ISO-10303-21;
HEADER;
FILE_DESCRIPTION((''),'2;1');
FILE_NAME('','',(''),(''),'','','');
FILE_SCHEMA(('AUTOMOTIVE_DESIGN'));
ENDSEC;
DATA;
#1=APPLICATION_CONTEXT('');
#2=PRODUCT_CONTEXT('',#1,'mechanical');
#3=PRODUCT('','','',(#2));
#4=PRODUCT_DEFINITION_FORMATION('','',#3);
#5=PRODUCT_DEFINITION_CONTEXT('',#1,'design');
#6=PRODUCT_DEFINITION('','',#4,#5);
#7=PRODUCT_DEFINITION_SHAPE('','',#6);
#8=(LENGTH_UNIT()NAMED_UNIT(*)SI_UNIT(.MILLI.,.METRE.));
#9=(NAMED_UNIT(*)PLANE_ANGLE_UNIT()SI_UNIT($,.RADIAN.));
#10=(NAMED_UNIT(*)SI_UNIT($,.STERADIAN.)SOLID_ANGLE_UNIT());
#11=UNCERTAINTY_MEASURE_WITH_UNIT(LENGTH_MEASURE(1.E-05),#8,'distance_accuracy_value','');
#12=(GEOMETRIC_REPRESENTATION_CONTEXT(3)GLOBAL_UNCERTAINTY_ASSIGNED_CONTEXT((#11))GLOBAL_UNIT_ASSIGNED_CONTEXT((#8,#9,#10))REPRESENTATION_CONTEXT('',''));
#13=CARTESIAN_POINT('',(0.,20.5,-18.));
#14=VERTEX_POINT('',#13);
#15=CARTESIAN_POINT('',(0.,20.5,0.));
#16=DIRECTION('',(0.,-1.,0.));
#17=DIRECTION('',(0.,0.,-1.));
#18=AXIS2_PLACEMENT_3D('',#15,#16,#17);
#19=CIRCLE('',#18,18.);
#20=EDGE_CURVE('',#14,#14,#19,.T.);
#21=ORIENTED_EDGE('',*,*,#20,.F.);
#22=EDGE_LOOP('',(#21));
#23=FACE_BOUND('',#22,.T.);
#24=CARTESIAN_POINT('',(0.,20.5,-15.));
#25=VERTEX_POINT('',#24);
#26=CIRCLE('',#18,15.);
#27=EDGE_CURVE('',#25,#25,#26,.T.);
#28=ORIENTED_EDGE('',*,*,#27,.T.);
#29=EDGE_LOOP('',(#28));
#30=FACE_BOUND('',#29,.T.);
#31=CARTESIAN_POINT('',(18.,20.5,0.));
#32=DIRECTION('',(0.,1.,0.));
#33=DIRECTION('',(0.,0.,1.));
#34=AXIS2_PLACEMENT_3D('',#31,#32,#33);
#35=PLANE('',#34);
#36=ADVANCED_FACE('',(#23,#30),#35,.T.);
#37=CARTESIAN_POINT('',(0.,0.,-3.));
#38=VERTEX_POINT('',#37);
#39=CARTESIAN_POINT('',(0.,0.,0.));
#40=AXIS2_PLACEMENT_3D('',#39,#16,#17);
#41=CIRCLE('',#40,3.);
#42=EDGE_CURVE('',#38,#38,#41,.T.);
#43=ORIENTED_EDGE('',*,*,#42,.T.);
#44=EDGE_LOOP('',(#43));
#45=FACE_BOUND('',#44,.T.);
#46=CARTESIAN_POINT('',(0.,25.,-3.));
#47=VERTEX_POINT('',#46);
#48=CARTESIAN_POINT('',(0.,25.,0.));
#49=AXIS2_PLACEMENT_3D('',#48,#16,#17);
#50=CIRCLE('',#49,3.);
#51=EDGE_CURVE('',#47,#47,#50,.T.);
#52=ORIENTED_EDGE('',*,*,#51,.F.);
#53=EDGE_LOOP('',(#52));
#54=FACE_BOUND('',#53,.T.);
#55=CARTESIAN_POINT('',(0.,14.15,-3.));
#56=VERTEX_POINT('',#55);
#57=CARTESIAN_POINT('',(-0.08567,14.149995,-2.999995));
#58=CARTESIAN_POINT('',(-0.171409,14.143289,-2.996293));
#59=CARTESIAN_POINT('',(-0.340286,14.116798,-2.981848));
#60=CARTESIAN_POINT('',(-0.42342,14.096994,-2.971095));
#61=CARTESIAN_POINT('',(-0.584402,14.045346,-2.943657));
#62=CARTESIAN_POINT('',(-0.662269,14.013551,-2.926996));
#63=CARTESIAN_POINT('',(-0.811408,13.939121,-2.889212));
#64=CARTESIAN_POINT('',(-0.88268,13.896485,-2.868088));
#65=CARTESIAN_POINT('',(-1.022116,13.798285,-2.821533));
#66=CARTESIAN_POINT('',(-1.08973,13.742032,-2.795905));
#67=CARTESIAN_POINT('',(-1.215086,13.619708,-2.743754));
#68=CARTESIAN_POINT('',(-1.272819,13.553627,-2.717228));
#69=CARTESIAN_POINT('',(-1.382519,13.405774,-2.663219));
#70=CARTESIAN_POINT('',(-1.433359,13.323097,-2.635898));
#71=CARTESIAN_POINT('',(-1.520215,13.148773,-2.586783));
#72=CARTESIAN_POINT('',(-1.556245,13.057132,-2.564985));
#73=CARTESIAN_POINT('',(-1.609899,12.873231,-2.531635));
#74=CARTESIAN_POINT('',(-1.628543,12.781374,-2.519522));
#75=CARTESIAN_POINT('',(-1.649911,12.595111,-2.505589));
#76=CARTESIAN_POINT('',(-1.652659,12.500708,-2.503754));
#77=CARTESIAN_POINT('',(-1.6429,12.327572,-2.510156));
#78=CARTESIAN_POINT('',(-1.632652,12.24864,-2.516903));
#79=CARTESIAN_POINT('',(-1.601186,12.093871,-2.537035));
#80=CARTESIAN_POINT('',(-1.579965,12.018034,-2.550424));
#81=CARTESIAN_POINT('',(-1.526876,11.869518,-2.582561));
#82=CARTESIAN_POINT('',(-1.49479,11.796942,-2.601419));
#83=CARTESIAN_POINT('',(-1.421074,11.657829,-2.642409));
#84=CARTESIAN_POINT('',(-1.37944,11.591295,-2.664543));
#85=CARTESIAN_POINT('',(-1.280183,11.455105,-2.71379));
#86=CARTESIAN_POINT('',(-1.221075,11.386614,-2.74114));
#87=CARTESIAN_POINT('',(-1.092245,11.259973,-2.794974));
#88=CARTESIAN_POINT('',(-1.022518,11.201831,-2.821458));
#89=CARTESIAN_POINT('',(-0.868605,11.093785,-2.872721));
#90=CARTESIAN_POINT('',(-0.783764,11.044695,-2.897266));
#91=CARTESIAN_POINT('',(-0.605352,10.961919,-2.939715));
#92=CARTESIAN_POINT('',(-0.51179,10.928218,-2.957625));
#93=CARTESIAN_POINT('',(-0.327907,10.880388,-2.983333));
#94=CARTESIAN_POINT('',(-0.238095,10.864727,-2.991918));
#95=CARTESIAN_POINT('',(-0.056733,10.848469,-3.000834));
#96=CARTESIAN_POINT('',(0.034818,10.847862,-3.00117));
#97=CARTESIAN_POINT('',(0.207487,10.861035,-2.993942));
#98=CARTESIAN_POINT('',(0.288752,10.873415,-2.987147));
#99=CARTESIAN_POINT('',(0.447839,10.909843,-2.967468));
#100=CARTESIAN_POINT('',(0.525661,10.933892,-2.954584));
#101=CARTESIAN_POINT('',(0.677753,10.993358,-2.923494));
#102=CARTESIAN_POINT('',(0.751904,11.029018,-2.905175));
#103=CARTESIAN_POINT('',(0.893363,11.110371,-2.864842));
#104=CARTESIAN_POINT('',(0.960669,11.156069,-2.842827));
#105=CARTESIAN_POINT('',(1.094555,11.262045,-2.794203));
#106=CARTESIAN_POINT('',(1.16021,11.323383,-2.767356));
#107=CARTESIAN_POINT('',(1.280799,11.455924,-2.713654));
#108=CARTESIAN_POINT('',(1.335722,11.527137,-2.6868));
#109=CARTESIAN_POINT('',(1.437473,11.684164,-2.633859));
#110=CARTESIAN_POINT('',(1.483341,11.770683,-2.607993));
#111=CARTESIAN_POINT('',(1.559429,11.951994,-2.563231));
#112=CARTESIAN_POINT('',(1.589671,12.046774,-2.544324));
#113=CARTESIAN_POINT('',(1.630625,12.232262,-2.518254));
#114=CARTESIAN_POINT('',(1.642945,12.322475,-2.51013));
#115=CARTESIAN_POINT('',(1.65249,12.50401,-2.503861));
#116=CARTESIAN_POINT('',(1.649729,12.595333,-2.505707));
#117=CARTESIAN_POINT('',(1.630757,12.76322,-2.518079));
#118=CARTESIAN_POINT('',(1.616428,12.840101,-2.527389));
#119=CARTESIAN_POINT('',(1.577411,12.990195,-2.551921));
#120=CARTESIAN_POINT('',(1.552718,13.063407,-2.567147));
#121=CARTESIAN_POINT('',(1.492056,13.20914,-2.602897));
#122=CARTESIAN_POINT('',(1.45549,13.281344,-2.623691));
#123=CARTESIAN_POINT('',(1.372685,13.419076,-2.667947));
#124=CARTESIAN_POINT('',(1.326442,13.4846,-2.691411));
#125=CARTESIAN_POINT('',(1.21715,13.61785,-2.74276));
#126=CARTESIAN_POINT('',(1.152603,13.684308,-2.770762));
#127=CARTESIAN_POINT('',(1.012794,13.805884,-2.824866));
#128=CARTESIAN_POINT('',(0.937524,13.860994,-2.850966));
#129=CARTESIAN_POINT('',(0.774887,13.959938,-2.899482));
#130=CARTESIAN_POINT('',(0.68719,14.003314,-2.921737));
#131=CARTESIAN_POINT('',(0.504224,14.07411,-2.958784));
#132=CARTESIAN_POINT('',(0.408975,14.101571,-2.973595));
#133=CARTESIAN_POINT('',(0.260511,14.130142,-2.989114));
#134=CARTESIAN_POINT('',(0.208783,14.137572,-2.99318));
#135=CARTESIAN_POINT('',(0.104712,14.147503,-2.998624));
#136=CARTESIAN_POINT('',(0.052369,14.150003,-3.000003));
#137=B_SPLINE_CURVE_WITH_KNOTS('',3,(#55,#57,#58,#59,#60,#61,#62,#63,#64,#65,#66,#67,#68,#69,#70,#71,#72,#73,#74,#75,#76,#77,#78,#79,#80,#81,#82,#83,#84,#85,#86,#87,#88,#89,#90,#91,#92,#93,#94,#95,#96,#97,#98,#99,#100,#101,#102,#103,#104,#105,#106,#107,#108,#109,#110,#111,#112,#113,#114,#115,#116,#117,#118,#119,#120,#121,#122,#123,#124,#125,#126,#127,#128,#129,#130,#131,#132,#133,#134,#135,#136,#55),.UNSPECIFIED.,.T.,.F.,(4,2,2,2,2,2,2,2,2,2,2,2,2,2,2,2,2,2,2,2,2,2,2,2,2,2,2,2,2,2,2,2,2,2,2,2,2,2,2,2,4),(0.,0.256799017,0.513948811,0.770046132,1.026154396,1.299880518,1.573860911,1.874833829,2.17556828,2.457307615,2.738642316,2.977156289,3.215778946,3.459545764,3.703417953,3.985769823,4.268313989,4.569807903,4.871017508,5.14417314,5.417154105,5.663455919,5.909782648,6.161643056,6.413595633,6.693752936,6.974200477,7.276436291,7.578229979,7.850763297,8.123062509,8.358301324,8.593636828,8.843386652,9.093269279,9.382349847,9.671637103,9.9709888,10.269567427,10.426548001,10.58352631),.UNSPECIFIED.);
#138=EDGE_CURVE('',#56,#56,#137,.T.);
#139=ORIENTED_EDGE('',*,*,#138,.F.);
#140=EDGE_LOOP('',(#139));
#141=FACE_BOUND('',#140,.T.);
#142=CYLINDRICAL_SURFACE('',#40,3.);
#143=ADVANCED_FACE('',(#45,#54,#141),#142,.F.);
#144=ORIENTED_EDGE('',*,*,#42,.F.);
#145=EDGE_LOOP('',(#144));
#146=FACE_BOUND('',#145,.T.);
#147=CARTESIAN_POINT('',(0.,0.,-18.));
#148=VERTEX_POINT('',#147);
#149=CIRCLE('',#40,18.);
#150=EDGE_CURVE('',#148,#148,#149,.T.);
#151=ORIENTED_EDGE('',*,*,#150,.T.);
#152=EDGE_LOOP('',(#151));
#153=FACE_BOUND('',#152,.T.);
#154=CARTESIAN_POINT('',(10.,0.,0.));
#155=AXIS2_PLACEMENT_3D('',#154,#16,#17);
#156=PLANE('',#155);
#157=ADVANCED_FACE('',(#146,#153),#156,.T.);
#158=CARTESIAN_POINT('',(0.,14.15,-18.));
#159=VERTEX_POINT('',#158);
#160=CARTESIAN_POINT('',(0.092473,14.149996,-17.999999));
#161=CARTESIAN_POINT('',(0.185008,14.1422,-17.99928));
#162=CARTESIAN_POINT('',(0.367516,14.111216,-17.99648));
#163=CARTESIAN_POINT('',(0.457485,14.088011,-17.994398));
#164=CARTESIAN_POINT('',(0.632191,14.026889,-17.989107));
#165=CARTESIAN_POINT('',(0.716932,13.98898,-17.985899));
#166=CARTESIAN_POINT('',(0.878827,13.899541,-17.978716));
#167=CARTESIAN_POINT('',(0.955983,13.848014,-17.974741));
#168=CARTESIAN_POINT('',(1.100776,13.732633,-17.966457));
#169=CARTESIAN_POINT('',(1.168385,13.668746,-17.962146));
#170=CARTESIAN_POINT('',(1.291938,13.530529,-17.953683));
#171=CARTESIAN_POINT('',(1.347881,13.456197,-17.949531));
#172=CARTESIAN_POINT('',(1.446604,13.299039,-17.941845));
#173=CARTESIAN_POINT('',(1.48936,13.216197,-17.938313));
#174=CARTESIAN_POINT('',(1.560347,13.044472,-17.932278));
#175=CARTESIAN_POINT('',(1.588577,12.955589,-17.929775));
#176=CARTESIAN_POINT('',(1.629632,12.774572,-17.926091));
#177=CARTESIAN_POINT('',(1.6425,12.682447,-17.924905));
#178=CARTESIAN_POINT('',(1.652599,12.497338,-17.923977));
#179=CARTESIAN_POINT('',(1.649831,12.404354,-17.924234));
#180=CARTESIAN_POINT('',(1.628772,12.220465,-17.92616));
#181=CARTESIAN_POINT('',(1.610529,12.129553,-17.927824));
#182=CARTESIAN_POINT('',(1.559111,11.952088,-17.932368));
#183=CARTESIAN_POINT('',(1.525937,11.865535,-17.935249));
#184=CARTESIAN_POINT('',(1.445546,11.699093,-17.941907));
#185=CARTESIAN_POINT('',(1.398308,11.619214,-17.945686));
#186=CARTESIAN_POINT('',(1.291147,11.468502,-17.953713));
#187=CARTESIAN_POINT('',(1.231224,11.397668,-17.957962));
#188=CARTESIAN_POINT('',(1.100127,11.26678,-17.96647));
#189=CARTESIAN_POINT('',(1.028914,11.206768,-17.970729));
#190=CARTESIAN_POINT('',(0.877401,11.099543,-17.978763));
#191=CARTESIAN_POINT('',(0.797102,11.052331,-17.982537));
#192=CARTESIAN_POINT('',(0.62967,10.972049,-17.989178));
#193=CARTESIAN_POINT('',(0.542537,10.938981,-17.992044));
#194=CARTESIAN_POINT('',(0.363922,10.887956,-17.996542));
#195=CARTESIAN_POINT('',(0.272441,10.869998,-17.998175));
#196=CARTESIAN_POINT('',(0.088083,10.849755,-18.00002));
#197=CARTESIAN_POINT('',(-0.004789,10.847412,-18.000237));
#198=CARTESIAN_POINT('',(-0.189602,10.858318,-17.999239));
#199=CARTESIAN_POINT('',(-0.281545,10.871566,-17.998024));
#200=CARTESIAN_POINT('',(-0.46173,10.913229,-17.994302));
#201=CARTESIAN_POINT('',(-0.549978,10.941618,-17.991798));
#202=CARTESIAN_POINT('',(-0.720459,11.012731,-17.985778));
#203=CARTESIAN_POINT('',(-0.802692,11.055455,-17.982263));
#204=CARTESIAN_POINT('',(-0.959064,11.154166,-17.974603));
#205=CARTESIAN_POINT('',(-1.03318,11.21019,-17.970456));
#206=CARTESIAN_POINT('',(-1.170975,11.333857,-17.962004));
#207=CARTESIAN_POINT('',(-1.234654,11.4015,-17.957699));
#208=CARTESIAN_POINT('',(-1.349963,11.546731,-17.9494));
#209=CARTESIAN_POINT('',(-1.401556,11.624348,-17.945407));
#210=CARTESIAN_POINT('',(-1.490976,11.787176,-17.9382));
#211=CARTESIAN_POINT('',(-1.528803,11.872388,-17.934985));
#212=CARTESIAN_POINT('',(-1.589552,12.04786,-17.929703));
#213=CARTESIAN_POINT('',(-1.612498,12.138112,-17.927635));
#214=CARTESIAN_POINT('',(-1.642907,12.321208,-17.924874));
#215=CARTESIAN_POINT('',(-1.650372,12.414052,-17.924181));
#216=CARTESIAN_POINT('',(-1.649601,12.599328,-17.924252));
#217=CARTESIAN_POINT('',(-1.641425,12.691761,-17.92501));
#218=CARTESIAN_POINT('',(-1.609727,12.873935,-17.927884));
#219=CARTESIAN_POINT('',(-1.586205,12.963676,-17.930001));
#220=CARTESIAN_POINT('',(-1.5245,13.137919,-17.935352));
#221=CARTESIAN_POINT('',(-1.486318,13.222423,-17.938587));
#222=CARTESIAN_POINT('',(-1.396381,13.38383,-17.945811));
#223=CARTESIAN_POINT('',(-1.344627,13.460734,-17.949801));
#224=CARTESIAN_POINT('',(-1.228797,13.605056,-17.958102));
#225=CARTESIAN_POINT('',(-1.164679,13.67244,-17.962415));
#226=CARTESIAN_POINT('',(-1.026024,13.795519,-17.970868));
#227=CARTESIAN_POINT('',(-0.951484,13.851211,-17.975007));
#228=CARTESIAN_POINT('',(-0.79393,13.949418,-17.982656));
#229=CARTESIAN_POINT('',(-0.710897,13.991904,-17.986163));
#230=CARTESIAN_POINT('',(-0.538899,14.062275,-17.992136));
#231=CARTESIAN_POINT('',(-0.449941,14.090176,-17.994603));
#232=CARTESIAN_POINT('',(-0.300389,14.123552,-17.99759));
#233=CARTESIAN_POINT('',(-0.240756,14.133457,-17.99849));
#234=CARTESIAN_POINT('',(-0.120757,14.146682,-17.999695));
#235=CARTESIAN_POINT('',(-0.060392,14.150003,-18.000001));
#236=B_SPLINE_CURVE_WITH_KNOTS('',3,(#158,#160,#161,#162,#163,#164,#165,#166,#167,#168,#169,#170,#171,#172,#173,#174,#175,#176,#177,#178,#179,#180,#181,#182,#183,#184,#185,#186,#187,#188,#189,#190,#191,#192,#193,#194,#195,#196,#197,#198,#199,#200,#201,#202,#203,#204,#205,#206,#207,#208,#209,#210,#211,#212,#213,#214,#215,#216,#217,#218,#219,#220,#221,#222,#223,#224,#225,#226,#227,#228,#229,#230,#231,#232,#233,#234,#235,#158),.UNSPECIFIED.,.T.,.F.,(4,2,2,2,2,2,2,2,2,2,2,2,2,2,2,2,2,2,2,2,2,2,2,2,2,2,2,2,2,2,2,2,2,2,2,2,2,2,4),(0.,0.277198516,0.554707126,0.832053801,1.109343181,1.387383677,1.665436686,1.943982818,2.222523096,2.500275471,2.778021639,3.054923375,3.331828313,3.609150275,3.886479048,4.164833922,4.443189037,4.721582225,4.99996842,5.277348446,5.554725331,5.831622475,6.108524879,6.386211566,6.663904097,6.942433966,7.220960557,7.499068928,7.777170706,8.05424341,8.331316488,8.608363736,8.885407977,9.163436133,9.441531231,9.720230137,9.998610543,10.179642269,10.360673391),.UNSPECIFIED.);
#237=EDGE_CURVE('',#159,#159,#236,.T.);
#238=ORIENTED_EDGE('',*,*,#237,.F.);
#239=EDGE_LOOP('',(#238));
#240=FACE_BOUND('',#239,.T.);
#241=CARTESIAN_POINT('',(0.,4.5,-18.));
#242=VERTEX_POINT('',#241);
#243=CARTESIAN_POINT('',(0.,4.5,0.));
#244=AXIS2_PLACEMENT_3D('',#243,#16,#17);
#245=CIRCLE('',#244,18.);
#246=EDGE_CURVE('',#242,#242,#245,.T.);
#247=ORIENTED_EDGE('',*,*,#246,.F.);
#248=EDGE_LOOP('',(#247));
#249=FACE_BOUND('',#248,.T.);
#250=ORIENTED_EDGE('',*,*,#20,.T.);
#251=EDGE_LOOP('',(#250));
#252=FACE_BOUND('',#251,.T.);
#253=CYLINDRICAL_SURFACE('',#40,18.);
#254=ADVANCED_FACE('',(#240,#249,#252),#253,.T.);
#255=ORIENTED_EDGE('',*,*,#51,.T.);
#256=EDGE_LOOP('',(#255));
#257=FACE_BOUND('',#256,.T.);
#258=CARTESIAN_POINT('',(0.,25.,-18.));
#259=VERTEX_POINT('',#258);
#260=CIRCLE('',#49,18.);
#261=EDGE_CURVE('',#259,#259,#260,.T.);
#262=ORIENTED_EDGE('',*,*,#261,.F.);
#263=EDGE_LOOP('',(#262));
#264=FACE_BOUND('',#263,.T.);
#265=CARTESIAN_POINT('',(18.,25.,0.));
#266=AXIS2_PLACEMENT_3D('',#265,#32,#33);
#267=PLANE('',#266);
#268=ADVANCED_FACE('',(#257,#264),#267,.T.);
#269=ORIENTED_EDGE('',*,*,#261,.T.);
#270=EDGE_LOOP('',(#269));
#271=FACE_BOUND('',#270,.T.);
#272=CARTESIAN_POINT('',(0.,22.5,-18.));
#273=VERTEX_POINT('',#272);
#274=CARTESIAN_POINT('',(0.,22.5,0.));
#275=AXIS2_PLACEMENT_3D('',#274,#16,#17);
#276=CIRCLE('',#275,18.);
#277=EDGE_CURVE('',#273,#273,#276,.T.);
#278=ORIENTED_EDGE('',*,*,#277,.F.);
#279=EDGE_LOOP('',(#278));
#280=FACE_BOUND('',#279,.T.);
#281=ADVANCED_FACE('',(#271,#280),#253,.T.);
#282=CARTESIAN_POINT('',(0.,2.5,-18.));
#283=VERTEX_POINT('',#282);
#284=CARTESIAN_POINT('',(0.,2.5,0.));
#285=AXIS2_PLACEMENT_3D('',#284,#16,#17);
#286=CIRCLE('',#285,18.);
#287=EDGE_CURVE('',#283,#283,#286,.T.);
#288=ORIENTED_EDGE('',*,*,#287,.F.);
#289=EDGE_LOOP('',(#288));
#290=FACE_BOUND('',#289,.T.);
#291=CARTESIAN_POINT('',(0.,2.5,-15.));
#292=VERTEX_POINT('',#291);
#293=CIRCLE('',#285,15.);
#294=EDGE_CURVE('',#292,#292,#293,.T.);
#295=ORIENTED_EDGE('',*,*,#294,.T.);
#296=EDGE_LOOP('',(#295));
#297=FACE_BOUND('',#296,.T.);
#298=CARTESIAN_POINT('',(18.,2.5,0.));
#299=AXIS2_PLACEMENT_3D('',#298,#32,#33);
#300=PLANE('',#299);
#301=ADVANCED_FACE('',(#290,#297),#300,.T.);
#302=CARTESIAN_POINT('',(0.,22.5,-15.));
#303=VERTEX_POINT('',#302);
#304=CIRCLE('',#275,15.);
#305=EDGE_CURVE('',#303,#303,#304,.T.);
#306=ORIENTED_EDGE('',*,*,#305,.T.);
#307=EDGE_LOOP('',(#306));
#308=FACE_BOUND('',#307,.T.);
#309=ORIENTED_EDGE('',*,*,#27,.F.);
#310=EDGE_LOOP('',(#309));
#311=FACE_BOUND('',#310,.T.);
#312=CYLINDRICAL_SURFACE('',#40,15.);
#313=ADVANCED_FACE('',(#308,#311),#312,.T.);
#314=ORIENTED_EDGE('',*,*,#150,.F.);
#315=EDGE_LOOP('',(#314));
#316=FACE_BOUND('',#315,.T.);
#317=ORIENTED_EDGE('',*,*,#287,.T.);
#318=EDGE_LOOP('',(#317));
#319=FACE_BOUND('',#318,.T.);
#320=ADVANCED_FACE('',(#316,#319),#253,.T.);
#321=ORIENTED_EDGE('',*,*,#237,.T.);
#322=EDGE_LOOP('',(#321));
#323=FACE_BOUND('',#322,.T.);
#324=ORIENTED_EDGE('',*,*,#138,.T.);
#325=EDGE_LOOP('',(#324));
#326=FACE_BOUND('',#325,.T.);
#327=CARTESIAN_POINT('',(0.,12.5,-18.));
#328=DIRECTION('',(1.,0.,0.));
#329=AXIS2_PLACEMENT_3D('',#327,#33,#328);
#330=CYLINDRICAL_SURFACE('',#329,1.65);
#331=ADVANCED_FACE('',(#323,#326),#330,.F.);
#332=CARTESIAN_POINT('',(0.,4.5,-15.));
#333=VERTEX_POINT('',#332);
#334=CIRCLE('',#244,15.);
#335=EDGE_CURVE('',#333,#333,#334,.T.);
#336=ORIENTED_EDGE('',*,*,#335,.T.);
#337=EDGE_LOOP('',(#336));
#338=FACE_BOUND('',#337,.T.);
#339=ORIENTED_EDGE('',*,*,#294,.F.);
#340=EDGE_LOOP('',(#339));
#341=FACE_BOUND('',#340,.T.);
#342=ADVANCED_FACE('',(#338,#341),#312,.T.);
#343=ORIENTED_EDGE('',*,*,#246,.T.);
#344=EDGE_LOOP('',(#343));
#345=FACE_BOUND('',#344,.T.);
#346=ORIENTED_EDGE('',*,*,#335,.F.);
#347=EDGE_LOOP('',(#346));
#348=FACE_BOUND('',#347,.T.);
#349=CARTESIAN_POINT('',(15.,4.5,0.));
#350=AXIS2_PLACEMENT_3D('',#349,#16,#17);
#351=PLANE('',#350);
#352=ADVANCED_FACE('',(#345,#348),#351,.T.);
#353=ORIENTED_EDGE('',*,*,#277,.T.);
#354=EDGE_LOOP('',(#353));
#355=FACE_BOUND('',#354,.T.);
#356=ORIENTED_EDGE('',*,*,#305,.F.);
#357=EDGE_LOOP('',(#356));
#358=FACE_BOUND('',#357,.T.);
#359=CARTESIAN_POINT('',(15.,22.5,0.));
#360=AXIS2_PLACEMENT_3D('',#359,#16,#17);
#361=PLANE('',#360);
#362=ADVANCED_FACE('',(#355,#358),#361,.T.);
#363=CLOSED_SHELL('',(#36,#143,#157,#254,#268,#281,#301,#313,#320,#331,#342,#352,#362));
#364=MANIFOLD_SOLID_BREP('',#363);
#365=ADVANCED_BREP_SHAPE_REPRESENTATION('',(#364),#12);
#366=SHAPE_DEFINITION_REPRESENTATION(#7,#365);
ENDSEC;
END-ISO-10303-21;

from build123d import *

# Parameters (mm, degrees)
SKETCH2_R          = 1.65
CUT_EXTRUDE1_DEPTH = 36.67912555


with BuildPart() as part:
    # Sketch1 → Revolve1 (revolve)
    with BuildSketch(Plane.XY, mode=Mode.PRIVATE) as revolve1_sk:
        Polygon((10, 0), (18, 0), (18, 2.5), (15, 2.5), (15, 4.5), (18, 4.5), (18, 20.5), (15, 20.5), (15, 22.5), (18, 22.5), (18, 25), (3, 25), (3, 0), align=None)
    revolve(revolve1_sk.sketch.rotate(Axis((0, 0, 0), (0, 1, 0)), 90), axis=Axis((0, 0, 0), (0, 1, 0)))

    # Sketch2 → Cut-Extrude1 (cut, through all)
    with BuildSketch(Plane.XY):
        with Locations(Location((0, 12.5, 0), (0, 0, 90))):
            Circle(SKETCH2_R)
    extrude(amount=-CUT_EXTRUDE1_DEPTH, mode=Mode.SUBTRACT)


solid = part.part
